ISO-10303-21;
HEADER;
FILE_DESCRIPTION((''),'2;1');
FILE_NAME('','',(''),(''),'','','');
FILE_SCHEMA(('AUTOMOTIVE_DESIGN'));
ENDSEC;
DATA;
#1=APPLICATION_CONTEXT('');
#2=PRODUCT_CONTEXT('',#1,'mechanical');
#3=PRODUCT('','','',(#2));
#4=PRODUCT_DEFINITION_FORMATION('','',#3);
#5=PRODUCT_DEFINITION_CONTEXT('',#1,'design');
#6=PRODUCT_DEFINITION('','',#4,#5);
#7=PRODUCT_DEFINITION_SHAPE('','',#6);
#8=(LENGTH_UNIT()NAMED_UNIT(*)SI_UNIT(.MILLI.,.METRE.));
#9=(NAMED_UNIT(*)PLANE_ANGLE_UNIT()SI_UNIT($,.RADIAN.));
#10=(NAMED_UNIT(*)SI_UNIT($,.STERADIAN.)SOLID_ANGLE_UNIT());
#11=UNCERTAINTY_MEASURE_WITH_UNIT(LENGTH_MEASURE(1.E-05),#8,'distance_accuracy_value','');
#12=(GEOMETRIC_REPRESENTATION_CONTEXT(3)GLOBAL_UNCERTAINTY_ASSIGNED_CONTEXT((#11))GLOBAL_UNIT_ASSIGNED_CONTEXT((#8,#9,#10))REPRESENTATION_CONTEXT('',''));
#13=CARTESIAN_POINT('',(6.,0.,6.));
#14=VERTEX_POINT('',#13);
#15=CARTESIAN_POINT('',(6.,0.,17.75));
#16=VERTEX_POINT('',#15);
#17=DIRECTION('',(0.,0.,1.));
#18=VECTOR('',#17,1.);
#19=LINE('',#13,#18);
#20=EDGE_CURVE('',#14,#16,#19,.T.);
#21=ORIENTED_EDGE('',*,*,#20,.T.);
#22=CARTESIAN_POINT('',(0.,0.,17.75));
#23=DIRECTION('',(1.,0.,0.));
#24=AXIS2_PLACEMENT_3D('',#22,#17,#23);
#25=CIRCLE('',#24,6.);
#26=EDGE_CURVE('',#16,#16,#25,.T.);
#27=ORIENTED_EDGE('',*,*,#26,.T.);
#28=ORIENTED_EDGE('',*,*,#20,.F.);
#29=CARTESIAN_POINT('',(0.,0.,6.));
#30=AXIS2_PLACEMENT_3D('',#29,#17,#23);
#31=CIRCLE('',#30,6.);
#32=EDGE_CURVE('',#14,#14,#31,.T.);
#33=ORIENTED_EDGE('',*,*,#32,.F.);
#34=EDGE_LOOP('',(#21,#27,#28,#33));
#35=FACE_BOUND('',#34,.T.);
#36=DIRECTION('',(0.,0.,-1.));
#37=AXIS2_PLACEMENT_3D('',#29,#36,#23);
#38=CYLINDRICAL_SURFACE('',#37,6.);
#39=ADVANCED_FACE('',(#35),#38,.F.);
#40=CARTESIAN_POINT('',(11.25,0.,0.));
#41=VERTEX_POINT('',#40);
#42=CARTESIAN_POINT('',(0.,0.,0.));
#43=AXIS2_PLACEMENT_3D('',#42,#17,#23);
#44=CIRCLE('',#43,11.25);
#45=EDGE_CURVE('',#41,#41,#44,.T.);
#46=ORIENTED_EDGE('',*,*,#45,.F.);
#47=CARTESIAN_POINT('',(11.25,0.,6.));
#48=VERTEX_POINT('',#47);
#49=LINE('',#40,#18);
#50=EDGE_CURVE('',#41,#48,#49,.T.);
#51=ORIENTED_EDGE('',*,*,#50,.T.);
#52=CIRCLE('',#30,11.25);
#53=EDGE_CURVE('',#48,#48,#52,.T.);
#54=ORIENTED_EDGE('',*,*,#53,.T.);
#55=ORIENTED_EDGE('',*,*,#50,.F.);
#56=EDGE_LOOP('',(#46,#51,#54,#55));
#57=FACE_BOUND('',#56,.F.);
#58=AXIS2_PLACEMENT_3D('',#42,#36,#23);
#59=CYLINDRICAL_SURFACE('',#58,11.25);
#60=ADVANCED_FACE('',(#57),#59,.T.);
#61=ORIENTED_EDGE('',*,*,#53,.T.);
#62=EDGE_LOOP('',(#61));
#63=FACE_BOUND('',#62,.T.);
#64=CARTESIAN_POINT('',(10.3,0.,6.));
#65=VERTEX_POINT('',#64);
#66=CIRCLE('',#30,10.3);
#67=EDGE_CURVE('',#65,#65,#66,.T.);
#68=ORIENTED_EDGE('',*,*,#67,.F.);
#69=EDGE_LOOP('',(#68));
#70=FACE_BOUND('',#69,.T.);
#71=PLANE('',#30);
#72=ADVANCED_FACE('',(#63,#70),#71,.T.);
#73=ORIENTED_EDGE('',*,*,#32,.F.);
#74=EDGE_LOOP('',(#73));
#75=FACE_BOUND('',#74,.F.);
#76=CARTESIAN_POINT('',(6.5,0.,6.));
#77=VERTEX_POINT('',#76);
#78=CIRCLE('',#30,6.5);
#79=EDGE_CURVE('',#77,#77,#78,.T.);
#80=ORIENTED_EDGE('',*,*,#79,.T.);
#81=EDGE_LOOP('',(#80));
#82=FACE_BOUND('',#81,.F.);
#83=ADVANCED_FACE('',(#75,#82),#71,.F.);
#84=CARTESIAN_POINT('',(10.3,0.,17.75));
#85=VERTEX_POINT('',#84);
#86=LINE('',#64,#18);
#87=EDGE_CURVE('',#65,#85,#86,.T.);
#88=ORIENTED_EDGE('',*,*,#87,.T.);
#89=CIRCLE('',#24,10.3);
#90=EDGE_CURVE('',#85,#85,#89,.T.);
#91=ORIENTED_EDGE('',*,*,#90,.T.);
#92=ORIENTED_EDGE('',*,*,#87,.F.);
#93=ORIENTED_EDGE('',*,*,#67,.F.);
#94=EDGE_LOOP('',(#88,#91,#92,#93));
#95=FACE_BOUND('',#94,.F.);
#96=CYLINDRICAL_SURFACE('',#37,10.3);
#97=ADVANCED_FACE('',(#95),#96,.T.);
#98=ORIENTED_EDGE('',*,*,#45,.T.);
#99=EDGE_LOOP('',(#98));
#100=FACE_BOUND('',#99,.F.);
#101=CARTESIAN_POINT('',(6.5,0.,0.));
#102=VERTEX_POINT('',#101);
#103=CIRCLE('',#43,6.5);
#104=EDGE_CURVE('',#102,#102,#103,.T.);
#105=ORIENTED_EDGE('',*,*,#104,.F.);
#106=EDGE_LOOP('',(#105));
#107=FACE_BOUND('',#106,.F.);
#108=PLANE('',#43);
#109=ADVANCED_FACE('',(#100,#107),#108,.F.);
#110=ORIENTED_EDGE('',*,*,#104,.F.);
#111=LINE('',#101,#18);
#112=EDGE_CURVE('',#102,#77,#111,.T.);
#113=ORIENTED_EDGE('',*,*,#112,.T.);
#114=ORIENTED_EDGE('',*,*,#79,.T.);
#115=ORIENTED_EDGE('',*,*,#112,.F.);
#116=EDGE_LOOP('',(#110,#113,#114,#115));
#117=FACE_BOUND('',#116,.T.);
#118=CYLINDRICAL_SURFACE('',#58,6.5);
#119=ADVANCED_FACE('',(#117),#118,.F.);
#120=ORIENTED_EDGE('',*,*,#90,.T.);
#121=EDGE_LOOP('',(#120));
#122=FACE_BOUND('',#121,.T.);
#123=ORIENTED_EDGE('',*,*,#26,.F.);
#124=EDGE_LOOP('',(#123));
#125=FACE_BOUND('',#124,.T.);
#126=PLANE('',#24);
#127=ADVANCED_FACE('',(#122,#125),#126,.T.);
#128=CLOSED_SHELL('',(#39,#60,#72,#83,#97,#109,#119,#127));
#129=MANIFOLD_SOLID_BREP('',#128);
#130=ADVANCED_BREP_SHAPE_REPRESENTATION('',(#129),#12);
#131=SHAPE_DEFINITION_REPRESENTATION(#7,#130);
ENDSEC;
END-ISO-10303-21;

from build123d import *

# Parameters (mm, degrees)
SKETCH_R      = 11.25
SKETCH_R_2    = 6.5
PAD_DEPTH     = 6
SKETCH001_R   = 10.3
SKETCH001_R_2 = 6
PAD001_DEPTH  = 11.75


with BuildPart() as part:
    # Sketch → Pad (new body)
    with BuildSketch(Plane.XY):
        Circle(SKETCH_R)
        Circle(SKETCH_R_2, mode=Mode.SUBTRACT)
    extrude(amount=PAD_DEPTH)

    # Sketch001 (on Face4 of Pad) → Pad001 (join)
    with BuildSketch(Plane.XY.offset(6)):
        Circle(SKETCH001_R)
        Circle(SKETCH001_R_2, mode=Mode.SUBTRACT)
    extrude(amount=PAD001_DEPTH)


solid = part.part
